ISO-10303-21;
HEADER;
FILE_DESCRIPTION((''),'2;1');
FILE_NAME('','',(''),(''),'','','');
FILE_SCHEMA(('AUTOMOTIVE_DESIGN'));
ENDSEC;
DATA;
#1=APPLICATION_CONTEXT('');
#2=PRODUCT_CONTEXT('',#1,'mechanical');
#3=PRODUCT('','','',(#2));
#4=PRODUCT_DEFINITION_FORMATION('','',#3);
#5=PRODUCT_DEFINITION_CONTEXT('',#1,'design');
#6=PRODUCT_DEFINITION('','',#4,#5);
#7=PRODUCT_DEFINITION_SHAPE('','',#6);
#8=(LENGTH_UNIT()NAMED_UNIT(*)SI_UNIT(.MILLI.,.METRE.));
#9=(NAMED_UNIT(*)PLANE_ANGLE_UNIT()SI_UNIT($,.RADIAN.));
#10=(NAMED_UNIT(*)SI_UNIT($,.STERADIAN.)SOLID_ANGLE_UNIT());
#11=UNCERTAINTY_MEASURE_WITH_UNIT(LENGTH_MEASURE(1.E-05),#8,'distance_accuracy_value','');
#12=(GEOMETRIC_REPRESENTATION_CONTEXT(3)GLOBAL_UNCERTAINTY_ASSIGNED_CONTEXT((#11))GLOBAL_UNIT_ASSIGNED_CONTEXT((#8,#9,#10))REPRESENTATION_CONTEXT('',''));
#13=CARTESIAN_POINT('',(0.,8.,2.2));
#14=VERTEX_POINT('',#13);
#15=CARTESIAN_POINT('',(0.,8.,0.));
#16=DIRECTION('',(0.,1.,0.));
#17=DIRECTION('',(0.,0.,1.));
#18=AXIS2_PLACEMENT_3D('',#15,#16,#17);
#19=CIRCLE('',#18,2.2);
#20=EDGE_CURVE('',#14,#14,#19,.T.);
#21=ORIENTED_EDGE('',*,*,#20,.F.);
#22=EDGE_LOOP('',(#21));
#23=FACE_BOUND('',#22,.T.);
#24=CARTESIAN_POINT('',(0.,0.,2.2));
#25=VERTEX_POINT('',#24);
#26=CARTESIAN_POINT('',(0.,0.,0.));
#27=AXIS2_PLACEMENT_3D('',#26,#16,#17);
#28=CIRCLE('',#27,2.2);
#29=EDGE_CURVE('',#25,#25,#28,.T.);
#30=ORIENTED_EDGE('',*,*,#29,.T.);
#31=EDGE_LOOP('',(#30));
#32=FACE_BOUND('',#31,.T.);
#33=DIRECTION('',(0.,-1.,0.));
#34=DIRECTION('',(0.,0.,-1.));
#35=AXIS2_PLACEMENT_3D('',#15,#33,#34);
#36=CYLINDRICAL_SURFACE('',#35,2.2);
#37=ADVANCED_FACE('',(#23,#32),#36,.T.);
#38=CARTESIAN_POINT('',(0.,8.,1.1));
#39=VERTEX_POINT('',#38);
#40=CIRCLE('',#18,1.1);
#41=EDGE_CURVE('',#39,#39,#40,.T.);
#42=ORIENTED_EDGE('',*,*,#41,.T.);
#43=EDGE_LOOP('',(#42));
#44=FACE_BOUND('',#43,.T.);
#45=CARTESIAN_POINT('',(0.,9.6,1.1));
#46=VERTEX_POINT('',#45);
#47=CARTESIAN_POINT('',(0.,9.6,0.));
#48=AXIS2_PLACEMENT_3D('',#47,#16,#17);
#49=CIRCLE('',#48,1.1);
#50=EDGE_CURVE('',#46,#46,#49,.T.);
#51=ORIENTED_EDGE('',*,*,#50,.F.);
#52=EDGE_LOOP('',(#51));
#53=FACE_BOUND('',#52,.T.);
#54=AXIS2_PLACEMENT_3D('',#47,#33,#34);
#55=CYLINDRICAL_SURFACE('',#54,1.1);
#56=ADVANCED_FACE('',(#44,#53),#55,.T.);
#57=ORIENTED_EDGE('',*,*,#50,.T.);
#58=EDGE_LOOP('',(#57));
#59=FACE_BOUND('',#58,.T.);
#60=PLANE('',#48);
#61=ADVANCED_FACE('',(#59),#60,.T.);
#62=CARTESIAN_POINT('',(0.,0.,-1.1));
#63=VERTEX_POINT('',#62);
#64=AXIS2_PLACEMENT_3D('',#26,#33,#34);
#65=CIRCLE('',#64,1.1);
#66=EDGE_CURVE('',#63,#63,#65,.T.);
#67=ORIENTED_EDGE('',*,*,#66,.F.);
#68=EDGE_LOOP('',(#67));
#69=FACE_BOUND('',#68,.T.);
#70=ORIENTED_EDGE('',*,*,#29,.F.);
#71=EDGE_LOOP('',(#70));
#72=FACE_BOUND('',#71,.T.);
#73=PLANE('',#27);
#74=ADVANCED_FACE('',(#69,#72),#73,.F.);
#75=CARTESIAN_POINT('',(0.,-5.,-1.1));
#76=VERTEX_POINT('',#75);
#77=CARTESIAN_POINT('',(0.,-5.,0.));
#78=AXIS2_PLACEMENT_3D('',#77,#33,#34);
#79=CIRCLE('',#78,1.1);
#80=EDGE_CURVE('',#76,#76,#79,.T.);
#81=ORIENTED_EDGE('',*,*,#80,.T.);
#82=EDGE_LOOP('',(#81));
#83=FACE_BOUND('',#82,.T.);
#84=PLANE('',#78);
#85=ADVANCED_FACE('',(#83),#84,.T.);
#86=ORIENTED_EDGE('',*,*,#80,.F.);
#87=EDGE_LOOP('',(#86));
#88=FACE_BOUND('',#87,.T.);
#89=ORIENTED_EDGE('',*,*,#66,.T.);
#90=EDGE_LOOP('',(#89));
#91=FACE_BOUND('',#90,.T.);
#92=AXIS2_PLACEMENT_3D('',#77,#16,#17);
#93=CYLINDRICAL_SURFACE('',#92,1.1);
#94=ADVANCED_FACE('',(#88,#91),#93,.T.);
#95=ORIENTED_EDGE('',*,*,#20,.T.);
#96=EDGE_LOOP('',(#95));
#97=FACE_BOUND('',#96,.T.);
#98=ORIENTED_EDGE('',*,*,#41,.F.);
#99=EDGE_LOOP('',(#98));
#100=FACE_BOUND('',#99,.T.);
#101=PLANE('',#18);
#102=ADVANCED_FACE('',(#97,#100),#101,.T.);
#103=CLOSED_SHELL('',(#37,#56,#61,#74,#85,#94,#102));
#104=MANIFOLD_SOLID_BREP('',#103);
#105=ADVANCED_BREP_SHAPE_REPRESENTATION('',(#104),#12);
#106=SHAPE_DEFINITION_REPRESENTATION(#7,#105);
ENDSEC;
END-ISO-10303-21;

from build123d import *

# Parameters (mm, degrees)
SKETCH1_R           = 2.2
BOSS_EXTRUDE1_DEPTH = 8
SKETCH2_R           = 1.1
BOSS_EXTRUDE2_DEPTH = 1.6
SKETCH3_R           = 1.1
BOSS_EXTRUDE3_DEPTH = 5


with BuildPart() as part:
    # Sketch1 → Boss-Extrude1 (new body)
    with BuildSketch(Plane(origin=(0, 0, 0), x_dir=(1, 0, 0), z_dir=(0, 1, 0))):
        Circle(SKETCH1_R)
    extrude(amount=BOSS_EXTRUDE1_DEPTH)

    # Sketch2 → Boss-Extrude2 (add)
    with BuildSketch(Plane(origin=(0, 8, 0), x_dir=(1, 0, 0), z_dir=(0, 1, 0))):
        Circle(SKETCH2_R)
    extrude(amount=BOSS_EXTRUDE2_DEPTH)

    # Sketch3 → Boss-Extrude3 (add)
    with BuildSketch(Plane.XZ):
        Circle(SKETCH3_R)
    extrude(amount=BOSS_EXTRUDE3_DEPTH)


solid = part.part
